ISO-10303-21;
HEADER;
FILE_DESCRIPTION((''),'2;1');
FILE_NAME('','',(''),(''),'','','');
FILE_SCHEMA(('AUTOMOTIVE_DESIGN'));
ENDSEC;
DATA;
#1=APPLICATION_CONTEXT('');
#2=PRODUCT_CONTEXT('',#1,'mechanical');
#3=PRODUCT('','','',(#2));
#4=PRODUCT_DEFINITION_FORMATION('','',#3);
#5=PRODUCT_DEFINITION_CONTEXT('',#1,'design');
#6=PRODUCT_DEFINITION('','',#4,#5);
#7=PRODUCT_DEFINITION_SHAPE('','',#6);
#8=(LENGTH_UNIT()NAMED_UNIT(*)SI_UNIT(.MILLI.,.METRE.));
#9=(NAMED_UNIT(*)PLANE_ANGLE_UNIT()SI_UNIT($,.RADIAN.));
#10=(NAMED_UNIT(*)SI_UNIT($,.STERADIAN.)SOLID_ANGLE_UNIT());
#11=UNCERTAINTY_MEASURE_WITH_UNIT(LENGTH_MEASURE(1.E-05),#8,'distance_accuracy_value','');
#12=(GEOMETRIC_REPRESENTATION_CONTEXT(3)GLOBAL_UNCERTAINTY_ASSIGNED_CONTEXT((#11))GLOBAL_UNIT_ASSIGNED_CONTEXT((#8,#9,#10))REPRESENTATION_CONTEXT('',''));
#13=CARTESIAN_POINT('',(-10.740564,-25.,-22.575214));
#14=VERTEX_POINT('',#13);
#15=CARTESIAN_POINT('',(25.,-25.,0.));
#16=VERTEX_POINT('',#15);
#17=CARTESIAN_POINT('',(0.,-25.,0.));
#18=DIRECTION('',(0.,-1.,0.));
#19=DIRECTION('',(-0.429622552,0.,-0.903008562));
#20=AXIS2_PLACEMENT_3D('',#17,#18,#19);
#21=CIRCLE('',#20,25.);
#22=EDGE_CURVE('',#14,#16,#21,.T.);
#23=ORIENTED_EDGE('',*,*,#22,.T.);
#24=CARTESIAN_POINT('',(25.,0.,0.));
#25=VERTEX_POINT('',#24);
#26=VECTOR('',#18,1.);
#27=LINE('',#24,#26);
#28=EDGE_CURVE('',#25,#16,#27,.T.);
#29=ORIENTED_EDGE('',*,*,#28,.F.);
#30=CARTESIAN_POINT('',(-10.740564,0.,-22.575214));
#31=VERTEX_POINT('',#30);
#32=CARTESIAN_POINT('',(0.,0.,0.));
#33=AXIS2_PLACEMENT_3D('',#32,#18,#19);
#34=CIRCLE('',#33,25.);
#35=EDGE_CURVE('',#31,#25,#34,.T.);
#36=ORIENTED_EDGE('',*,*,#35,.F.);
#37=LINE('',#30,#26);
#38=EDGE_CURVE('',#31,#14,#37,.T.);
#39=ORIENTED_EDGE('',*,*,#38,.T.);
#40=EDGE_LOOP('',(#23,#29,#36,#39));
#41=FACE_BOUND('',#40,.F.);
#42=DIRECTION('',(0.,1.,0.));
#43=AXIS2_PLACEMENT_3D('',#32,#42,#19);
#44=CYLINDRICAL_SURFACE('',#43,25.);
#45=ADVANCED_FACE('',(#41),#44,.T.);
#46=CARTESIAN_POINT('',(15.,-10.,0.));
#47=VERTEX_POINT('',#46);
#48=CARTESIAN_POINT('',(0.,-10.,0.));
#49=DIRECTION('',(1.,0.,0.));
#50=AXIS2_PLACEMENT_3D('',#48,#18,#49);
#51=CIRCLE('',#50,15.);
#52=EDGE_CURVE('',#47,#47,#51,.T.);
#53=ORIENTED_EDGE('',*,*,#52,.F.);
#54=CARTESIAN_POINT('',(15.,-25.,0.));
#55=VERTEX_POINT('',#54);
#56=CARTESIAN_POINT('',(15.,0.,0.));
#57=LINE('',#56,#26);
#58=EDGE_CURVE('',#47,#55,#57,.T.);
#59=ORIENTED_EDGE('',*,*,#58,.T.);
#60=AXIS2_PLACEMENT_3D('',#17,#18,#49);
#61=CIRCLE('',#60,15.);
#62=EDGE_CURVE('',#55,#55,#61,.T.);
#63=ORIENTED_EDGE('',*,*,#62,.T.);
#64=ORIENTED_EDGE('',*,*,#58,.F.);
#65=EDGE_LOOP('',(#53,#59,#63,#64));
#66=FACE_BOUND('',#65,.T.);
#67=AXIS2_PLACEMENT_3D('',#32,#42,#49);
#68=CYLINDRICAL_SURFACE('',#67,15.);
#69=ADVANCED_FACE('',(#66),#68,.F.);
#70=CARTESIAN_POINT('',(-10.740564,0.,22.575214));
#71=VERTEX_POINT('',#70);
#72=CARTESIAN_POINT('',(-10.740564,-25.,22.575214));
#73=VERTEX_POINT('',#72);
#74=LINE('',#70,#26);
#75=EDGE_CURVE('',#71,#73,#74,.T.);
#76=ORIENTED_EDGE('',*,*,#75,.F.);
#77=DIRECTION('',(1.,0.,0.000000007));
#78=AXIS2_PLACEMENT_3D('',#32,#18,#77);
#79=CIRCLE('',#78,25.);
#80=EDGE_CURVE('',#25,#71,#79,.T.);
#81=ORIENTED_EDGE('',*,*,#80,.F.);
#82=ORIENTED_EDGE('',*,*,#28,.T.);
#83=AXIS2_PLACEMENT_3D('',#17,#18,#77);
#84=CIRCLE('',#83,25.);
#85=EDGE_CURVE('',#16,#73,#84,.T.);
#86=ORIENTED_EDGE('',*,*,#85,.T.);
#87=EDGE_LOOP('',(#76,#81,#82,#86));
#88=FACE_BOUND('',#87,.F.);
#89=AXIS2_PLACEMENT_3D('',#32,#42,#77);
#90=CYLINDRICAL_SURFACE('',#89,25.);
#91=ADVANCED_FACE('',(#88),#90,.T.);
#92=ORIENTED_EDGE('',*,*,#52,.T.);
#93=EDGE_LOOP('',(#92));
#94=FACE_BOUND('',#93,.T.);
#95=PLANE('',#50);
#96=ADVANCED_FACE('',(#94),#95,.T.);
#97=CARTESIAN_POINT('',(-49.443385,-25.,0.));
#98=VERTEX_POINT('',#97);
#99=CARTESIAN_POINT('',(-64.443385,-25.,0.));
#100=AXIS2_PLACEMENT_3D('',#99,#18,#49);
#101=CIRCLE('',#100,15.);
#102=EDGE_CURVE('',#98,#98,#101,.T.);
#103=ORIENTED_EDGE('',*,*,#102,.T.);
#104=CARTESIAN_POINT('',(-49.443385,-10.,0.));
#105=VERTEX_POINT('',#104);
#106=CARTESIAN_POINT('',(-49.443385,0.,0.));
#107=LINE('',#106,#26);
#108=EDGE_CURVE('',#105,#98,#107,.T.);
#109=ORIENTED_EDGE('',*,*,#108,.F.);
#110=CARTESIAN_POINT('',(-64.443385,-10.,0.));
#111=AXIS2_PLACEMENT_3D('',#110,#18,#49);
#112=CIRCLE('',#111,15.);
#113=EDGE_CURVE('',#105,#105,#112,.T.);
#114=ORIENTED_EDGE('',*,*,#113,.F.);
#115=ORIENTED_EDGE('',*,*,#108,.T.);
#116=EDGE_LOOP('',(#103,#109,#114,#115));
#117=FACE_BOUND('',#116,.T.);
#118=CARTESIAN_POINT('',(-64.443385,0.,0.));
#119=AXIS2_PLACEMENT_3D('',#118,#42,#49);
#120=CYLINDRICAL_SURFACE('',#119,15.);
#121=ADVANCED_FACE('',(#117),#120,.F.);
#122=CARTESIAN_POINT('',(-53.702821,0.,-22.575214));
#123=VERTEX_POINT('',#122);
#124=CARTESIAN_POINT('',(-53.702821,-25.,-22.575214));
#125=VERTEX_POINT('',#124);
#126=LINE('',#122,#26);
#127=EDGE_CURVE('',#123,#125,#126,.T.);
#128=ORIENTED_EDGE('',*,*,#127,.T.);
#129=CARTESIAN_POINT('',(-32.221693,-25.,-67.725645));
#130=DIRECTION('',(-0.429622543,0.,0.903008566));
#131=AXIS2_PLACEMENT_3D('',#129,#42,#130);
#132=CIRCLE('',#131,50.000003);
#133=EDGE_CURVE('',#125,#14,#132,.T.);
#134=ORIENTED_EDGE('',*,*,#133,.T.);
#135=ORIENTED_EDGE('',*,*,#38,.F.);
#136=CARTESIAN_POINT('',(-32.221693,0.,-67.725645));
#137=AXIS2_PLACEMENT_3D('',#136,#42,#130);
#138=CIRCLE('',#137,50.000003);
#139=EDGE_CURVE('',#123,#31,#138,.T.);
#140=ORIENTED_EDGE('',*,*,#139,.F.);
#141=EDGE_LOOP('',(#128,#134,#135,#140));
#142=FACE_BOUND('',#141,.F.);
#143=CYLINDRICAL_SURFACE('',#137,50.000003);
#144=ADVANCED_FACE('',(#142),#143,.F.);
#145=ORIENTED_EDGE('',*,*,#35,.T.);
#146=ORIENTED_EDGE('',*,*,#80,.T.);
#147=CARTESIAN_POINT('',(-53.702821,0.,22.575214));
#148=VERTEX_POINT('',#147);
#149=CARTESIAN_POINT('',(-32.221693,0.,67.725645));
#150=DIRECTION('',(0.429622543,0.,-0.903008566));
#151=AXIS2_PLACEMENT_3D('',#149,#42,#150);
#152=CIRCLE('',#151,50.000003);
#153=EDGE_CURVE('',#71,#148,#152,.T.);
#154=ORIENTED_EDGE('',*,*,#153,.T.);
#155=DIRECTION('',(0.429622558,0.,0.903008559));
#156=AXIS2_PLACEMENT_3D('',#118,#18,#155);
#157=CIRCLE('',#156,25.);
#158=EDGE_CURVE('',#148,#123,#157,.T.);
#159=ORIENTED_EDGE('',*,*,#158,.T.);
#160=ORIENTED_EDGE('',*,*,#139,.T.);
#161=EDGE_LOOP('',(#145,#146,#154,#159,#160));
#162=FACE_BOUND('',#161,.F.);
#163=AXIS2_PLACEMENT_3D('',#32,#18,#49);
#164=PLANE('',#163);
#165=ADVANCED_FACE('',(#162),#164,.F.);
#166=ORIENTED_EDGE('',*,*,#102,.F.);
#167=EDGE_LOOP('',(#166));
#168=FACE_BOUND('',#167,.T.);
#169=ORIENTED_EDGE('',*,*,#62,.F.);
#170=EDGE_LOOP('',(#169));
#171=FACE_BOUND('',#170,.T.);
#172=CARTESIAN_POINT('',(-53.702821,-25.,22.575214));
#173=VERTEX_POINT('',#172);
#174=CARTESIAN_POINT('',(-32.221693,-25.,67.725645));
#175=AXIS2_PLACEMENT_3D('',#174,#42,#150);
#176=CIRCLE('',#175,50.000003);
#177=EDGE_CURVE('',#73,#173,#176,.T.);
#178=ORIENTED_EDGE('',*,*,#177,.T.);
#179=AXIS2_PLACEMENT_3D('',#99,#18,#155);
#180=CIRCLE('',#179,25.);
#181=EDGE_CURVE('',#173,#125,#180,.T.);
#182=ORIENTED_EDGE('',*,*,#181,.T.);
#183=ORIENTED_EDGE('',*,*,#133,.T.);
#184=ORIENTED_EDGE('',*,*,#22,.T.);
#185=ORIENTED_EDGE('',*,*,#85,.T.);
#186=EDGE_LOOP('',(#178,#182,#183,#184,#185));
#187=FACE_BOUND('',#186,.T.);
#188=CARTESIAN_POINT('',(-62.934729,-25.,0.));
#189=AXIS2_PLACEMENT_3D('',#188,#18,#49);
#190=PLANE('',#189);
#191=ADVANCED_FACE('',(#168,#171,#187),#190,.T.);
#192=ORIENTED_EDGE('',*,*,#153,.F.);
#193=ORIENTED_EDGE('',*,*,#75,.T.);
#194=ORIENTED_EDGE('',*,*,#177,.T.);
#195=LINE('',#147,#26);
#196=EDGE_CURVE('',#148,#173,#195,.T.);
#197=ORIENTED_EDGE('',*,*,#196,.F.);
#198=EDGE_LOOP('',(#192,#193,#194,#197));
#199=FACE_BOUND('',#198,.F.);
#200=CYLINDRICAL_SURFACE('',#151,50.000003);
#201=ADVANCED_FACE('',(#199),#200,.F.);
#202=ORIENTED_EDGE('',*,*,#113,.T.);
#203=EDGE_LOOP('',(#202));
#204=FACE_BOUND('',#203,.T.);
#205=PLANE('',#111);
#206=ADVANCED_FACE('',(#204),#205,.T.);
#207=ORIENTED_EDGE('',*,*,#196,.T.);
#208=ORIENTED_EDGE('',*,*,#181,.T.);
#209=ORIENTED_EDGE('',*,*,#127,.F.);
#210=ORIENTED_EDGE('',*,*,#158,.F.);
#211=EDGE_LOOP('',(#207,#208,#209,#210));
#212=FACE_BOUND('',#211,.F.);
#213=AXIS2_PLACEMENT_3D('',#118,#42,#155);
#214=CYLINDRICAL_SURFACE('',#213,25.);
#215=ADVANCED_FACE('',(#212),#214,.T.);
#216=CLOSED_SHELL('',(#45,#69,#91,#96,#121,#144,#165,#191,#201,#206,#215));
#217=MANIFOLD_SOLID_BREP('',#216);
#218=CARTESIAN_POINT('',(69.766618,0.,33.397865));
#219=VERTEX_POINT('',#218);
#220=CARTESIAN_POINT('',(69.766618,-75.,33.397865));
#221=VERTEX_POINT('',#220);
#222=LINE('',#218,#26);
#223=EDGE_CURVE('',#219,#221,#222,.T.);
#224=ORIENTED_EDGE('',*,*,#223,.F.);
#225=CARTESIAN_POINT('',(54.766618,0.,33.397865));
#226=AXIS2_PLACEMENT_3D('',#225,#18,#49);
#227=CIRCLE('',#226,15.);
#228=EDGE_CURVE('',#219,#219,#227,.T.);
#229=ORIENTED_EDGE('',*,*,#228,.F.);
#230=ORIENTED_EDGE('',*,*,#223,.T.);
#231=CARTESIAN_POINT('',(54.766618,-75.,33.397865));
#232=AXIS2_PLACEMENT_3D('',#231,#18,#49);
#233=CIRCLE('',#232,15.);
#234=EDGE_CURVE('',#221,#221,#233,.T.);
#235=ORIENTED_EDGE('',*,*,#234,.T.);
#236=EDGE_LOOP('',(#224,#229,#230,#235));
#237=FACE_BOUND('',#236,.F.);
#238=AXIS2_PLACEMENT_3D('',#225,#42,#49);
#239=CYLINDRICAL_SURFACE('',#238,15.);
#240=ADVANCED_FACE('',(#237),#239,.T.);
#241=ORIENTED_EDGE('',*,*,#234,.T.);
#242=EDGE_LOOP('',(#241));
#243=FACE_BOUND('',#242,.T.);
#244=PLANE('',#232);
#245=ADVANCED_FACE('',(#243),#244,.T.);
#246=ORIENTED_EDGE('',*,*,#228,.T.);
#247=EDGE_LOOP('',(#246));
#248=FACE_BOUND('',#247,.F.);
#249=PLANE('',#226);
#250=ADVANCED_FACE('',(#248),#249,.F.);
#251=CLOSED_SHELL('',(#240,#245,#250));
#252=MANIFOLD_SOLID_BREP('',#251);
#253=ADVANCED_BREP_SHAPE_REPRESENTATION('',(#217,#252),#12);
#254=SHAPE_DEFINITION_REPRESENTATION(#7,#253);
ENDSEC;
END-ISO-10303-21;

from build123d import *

# Parameters (mm, degrees)
F0_R     = 15
F1_DEPTH = 25
F2_DEPTH = 10
F3_R     = 15
F4_DEPTH = 75


with BuildPart() as f1:
    # F0 (on Front) → F1 (new body)
    with BuildSketch(Plane.XZ):
        with BuildLine():
            ThreePointArc((-39.443385, 0), (-43.306757, 13.350766), (-53.702821, 22.575214))
            ThreePointArc((-53.702821, 22.575214), (-89.443385, 0), (-53.702821, -22.575214))
            ThreePointArc((-53.702821, -22.575214), (-43.306757, -13.350766), (-39.443385, 0))
        make_face()
        with Locations((-64.443385, 0)):
            Circle(F0_R, mode=Mode.SUBTRACT)
        with BuildLine():
            ThreePointArc((-10.740564, -22.575214), (-25, 0), (-10.740564, 22.575214))
            ThreePointArc((-10.740564, 22.575214), (-32.221692, 17.725642), (-53.702821, 22.575214))
            ThreePointArc((-53.702821, 22.575214), (-43.306757, 13.350766), (-39.443385, 0))
            ThreePointArc((-39.443385, 0), (-43.306757, -13.350766), (-53.702821, -22.575214))
            ThreePointArc((-53.702821, -22.575214), (-32.221692, -17.725642), (-10.740564, -22.575214))
        make_face()
        with BuildLine():
            ThreePointArc((-10.740564, -22.575214), (13.350766, -21.136628), (25, 0))
            ThreePointArc((25, 0), (13.350766, 21.136628), (-10.740564, 22.575214))
            ThreePointArc((-10.740564, 22.575214), (-25, 0), (-10.740564, -22.575214))
        make_face()
        Circle(F0_R, mode=Mode.SUBTRACT)
    extrude(amount=F1_DEPTH)

    # F0 (on Front) → F2 (join)
    with BuildSketch(Plane.XZ):
        Circle(F0_R)
        with Locations((-64.443385, 0)):
            Circle(F0_R)
    extrude(amount=F2_DEPTH)


with BuildPart() as f4:
    # F3 (on Front) → F4 (new body)
    with BuildSketch(Plane.XZ):
        with Locations((54.766618, 33.397865)):
            Circle(F3_R)
    extrude(amount=F4_DEPTH)


solid = Compound([f1.part, f4.part])
